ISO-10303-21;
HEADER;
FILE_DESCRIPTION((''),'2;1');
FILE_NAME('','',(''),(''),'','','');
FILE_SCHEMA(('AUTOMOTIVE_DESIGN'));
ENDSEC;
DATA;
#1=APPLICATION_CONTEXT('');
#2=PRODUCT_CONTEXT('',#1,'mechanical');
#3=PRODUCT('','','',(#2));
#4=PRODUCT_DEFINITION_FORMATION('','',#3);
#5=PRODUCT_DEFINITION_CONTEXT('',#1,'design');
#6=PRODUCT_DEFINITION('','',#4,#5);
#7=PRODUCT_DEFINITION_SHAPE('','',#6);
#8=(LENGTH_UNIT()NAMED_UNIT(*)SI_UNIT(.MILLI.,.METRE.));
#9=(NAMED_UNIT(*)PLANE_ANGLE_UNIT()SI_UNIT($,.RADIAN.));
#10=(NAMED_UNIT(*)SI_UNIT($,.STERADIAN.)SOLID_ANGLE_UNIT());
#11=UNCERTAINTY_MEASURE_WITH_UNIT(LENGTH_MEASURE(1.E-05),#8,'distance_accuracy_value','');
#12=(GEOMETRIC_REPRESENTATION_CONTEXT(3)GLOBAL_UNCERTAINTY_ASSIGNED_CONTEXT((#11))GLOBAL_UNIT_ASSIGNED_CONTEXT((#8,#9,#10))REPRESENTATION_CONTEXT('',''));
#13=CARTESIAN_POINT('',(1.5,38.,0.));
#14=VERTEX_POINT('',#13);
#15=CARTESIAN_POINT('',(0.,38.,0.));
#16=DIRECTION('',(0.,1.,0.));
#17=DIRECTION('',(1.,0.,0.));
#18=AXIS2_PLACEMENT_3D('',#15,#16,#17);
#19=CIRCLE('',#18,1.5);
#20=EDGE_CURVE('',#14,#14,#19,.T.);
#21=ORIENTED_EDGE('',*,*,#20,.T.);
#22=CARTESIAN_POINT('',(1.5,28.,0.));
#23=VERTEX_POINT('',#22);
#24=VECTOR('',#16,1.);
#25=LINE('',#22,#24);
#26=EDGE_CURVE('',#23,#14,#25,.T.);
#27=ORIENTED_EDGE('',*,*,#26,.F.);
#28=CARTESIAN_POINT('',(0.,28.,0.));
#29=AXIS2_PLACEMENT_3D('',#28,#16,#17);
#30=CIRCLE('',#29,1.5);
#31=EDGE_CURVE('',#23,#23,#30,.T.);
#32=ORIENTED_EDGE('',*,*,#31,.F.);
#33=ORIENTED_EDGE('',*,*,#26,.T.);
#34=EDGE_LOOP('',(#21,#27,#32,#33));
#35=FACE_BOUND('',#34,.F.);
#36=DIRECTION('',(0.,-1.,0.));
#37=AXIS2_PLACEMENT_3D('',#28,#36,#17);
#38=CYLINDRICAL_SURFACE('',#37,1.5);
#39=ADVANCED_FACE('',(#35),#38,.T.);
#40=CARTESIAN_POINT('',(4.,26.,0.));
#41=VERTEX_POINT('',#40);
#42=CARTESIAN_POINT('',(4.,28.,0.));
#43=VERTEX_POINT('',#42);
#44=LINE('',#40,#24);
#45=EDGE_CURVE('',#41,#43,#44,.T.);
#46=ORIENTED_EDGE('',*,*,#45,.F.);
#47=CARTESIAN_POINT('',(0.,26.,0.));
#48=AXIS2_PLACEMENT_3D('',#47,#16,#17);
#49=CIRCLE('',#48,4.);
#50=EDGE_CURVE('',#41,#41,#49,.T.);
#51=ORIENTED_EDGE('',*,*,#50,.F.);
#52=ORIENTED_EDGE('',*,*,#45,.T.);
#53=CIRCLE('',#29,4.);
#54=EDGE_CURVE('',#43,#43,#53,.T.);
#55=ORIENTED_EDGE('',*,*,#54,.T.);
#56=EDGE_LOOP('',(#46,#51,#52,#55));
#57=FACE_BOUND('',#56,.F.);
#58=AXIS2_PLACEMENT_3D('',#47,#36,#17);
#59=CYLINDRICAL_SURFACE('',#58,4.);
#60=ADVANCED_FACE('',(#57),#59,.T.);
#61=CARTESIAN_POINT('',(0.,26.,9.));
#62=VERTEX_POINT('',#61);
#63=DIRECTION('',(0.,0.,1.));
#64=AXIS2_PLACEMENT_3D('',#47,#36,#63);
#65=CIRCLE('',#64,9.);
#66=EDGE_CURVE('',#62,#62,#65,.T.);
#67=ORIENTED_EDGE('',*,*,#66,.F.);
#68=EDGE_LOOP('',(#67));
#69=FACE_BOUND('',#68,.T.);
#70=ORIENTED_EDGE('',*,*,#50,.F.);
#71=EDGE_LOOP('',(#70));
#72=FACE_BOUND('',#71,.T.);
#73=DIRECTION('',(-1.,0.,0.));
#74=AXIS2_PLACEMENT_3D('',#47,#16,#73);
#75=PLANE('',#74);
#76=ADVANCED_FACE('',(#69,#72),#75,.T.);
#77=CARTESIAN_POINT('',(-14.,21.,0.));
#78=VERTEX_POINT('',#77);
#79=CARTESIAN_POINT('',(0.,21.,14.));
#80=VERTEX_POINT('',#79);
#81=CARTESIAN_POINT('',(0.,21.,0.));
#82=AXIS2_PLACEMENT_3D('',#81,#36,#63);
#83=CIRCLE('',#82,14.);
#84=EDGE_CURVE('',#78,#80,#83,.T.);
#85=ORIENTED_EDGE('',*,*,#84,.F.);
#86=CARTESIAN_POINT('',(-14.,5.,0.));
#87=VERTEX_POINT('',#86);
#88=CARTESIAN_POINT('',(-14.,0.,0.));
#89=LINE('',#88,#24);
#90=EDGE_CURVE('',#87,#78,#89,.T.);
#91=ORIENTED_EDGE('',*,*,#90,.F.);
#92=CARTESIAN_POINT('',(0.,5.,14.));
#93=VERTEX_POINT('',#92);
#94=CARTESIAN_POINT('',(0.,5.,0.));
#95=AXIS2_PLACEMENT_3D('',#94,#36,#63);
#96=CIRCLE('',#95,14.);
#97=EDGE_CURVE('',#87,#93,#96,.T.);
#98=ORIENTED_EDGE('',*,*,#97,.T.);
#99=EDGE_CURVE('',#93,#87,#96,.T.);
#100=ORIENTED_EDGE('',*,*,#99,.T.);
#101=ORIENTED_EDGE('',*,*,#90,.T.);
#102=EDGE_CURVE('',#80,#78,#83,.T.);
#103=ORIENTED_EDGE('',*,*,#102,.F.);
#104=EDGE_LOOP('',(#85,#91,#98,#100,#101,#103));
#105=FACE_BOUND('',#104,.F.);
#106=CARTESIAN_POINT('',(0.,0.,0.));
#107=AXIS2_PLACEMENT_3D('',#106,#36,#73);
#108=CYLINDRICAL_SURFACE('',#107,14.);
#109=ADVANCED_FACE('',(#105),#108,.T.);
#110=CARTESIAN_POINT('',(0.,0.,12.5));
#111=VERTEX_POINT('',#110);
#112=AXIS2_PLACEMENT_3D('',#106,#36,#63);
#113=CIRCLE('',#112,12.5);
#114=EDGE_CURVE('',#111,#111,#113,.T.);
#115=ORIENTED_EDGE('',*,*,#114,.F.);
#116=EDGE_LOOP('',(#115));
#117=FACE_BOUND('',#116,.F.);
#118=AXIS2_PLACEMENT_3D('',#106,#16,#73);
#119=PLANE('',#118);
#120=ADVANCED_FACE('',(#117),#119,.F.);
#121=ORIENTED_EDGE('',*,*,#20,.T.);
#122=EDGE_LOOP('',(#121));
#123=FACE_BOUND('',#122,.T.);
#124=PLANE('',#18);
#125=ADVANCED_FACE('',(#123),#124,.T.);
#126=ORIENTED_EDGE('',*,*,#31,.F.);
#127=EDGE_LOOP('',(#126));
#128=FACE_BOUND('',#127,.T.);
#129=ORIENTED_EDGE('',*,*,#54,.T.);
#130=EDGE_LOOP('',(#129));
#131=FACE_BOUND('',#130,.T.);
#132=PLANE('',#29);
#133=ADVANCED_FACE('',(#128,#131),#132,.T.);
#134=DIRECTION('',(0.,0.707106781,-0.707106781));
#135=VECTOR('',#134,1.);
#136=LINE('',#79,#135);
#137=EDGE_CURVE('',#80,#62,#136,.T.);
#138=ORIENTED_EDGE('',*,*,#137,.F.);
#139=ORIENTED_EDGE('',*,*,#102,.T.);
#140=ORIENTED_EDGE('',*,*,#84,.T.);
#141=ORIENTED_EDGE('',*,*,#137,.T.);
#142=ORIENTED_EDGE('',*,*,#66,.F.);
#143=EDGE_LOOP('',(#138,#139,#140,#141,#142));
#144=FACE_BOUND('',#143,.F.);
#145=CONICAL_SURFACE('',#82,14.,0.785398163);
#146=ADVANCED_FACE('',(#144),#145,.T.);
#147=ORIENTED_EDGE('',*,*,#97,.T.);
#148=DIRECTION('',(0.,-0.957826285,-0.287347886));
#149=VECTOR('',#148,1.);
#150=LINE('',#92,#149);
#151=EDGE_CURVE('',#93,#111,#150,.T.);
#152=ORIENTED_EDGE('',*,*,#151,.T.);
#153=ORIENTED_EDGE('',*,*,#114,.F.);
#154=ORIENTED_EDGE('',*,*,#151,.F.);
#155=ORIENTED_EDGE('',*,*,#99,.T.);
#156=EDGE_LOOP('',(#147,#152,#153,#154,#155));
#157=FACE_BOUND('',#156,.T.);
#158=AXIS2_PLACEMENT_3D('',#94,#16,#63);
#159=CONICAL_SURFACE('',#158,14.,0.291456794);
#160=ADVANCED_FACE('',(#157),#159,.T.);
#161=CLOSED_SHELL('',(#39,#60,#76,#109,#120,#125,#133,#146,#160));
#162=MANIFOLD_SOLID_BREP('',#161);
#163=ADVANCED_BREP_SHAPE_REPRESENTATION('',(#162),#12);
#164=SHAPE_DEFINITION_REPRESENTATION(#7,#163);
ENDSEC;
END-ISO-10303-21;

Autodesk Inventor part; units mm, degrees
ref_plane "YZ Plane" through (0, 0, 0) normal (1, 0, 0) x (0, 1, 0)
ref_plane "XZ Plane" through (0, 0, 0) normal (0, 1, 0) x (-1, 0, 0)
ref_plane "XY Plane" through (0, 0, 0) normal (0, 0, 1) x (1, 0, 0)
sketch "Boceto1" plane through (0, 0, 0) normal (0, 1, 0) x (-1, 0, 0)
  circle A0 centre (0, 0) radius 14
  dimension "d0" = 28
extrude "Extrusión1" add sketch "Boceto1" along normal blind 26
sketch "Boceto2" plane through (0, 26, 0) normal (0, 1, 0) x (1, 0, 0)
  circle A0 centre (0, 0) radius 4
  dimension "d3" = 8
extrude "Extrusión2" add sketch "Boceto2" along normal blind 2
sketch "Boceto3" plane through (0, 28, 0) normal (0, 1, 0) x (1, 0, 0)
  circle A0 centre (0, 0) radius 1.5
  dimension "d6" = 3
extrude "Extrusión3" add sketch "Boceto3" along normal blind 10
sketch "Boceto4" plane through (0, 0, 0) normal (1, 0, 0) x (0, 1, 0)
  line L0 (26, -14) -> (26, 14) projected
  line L1 (26, 14) -> (26, 9)
  line L2 (0, 14) -> (26, 14) projected
  line L3 (21, 14) -> (26, 9)
  line L4 (26, 14) -> (21, 14)
  line L5 (29.3126, 0) -> (24.3126, 0)
  line L6 (0, -14) -> (0, 14) projected
  line L7 (0, 14) -> (0, 12.5)
  line L8 (0, 14) -> (5, 14)
  line L9 (0, 14) -> (26, 14) projected
  line L10 (5, 14) -> (0, 12.5)
  point P0 (0, 0)
  dimension "d9" = 5
  dimension "d11" = 5
  dimension "d13" = 1.5
  dimension "d14" = 5
revolve "Revolución1" cut sketch "Boceto4" angle 360 about axis through (0, 29.3126, 0) along (0, -1, 0)
properties part number "Motor"
